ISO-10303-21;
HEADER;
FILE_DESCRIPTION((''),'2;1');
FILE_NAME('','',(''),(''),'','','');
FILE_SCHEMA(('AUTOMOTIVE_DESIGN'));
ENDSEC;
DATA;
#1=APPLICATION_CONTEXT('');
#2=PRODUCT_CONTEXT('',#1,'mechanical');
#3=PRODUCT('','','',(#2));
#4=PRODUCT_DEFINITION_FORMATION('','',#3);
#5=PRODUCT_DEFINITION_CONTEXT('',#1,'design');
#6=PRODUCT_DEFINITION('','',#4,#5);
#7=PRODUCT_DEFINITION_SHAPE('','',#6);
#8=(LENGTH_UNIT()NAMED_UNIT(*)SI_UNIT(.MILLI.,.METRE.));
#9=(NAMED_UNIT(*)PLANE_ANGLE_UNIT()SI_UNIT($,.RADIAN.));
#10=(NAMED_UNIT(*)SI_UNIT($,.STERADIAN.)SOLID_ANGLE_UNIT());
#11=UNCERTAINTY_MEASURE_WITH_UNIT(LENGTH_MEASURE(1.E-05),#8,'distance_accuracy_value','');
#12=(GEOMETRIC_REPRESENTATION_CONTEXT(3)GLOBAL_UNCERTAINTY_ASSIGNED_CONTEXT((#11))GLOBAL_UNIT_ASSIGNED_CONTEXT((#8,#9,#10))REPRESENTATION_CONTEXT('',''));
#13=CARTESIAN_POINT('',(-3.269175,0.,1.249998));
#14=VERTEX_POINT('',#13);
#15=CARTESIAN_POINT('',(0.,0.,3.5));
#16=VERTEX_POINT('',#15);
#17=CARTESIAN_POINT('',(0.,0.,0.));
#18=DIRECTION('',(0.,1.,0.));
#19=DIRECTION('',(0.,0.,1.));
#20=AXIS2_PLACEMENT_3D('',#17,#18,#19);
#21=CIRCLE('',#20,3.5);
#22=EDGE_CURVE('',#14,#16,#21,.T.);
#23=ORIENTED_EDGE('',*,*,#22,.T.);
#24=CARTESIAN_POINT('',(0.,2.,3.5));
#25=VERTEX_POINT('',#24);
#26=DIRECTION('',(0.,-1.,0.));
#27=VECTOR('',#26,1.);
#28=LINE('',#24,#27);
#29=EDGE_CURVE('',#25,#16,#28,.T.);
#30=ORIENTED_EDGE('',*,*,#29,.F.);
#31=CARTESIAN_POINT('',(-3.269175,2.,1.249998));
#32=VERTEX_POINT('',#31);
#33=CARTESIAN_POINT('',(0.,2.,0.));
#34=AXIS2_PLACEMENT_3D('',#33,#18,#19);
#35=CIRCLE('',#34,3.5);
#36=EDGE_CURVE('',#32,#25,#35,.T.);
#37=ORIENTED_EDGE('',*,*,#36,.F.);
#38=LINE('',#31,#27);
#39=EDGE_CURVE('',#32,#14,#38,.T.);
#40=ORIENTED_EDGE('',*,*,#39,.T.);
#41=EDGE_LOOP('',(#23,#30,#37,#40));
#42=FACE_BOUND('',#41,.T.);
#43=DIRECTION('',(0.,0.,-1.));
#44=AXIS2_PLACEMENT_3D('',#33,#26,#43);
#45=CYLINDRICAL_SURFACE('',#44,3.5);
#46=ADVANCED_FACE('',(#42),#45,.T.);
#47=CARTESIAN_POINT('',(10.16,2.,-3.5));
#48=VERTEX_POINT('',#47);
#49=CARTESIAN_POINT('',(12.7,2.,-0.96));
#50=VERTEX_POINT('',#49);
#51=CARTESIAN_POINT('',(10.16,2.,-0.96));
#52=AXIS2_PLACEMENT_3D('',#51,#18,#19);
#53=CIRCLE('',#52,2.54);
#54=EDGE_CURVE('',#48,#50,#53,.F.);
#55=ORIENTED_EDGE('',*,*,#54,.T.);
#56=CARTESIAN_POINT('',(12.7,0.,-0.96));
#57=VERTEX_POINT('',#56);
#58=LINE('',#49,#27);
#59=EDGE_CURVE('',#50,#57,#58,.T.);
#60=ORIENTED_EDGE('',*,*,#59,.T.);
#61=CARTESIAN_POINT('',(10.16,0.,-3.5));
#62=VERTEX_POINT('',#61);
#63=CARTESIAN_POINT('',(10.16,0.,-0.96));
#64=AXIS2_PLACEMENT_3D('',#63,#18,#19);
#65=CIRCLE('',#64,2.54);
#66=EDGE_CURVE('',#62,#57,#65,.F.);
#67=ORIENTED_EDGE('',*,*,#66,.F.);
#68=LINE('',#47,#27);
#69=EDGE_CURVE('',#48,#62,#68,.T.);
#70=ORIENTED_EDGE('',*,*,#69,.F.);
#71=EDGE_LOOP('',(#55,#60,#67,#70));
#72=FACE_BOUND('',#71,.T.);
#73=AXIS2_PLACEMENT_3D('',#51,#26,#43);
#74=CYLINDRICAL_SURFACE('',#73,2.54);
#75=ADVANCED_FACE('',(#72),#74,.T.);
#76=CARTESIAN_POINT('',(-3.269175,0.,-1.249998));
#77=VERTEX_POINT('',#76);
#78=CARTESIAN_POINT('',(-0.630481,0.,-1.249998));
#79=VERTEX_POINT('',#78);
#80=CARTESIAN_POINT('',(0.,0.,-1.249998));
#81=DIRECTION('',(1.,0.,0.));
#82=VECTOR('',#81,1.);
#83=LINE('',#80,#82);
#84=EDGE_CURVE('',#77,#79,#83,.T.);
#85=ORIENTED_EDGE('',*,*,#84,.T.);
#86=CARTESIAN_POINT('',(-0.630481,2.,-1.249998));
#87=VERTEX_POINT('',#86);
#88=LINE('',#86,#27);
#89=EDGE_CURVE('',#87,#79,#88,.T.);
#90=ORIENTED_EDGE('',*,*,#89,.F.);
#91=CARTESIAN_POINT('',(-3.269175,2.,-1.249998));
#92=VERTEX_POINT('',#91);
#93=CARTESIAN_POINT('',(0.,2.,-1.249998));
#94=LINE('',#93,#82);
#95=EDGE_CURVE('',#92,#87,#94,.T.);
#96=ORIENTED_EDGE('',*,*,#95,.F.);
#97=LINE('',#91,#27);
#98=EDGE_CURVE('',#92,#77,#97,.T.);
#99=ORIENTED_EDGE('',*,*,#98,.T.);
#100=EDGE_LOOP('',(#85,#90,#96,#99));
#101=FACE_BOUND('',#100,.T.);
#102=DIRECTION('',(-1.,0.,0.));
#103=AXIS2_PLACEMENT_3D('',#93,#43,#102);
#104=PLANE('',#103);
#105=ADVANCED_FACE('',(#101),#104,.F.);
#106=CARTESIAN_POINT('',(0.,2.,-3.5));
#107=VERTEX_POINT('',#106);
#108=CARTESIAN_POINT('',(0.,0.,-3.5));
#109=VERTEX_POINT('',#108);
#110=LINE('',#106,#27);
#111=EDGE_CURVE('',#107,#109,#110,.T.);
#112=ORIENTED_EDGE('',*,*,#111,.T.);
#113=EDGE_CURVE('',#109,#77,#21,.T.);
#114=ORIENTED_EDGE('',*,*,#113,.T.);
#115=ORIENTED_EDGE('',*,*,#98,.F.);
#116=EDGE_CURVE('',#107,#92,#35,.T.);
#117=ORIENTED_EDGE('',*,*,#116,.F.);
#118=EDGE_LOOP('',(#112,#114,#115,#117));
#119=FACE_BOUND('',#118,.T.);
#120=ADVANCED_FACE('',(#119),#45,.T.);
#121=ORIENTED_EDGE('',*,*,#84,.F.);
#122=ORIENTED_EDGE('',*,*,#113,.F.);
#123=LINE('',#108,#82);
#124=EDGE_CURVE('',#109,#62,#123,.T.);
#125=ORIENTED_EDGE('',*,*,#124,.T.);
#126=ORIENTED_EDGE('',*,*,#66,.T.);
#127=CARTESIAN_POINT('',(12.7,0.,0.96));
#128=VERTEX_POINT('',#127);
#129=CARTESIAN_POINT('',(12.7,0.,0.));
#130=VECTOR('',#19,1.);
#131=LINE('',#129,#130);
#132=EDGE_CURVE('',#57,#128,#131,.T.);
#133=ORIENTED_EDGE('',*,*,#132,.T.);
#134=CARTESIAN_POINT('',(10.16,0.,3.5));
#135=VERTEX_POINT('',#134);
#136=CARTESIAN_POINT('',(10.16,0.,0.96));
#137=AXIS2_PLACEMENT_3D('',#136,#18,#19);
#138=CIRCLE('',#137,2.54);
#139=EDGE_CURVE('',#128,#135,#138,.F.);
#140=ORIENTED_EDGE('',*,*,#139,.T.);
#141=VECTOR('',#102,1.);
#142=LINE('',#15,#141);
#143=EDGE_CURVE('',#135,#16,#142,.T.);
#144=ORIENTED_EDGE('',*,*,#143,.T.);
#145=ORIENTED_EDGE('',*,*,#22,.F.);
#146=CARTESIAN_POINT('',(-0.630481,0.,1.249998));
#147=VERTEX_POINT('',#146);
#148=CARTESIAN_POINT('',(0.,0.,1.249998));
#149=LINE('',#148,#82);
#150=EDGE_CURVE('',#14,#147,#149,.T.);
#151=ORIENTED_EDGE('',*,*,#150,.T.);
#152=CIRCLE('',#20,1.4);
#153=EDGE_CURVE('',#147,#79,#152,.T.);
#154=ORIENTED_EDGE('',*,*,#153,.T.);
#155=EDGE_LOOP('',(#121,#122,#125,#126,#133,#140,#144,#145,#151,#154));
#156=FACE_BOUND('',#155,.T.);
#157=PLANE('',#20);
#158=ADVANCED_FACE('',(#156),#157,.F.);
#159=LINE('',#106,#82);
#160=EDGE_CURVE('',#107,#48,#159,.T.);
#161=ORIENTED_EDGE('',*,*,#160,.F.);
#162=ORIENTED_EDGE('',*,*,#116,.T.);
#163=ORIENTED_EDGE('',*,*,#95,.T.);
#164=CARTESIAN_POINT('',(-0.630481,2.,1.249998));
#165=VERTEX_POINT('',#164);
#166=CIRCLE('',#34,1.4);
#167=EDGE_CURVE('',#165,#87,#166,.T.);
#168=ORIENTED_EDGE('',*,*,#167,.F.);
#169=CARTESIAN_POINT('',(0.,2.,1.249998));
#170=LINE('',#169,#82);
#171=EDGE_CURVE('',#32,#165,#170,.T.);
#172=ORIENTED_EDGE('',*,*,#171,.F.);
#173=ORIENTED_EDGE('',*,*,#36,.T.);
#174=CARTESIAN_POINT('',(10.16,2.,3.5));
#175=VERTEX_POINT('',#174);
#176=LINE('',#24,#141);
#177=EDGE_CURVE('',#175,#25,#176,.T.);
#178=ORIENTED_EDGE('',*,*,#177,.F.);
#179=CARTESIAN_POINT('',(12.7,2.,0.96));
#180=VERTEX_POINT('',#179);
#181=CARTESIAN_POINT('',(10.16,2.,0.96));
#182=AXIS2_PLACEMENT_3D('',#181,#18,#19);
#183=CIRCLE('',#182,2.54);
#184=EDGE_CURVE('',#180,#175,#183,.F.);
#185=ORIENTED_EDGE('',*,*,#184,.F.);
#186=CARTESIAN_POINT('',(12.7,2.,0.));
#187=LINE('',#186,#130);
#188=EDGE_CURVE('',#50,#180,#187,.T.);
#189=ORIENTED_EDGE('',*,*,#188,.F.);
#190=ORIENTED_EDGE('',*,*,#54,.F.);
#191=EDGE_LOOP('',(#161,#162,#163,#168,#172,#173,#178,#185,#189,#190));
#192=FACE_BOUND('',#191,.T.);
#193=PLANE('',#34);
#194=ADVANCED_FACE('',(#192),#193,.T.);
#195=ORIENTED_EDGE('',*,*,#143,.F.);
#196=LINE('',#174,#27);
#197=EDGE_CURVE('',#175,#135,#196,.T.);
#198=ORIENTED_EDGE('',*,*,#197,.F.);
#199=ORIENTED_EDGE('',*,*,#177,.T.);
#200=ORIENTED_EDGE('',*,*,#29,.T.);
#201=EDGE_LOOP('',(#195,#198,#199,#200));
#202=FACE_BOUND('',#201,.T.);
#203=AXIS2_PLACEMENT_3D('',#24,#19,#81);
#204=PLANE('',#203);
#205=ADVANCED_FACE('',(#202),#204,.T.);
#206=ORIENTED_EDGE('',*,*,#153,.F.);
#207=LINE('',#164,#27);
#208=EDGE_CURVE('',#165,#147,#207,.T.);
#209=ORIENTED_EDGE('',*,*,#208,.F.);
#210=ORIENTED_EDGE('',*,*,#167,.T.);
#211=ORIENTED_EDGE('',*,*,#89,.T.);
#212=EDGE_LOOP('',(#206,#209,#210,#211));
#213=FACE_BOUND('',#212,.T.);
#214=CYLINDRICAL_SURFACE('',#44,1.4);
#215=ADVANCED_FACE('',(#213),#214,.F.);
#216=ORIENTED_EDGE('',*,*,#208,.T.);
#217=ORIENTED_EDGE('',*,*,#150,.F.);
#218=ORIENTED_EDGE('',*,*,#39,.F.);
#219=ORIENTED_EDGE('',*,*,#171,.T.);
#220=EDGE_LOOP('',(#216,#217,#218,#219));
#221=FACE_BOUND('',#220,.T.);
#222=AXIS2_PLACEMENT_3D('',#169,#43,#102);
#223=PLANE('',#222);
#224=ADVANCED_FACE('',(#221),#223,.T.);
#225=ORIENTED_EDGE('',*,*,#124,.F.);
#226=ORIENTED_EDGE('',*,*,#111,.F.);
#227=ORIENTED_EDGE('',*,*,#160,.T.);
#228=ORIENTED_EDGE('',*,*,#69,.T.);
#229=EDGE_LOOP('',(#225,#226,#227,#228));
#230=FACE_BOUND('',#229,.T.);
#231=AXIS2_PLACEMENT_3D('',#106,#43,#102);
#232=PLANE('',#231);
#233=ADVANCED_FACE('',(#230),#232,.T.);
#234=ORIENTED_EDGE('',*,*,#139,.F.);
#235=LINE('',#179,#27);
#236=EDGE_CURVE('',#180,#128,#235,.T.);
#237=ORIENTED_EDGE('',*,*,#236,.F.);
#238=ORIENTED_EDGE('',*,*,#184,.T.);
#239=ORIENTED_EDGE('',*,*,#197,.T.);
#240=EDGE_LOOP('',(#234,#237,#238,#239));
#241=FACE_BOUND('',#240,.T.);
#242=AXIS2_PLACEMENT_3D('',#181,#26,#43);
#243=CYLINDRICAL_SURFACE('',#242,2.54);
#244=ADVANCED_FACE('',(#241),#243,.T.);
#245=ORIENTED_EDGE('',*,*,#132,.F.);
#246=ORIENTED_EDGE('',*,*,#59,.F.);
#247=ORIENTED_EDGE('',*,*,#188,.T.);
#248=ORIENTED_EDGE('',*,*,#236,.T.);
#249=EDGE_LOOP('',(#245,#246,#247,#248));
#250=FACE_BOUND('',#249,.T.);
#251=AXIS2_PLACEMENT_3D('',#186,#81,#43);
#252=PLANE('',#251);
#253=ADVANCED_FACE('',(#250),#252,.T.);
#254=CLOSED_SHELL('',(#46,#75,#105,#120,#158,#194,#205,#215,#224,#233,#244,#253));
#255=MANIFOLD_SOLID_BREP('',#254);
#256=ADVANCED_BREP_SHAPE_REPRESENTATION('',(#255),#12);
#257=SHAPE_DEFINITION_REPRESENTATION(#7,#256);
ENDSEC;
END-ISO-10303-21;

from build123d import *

# Parameters (mm, degrees)
BOSS_EXTRUDE1_DEPTH = 2


with BuildPart() as part:
    # Sketch1 → Boss-Extrude1 (new body)
    with BuildSketch(Plane(origin=(0, 0, 0), x_dir=(1, 0, 0), z_dir=(0, 1, 0))):
        with BuildLine():
            ThreePointArc((0, 3.5), (-1.984314586, 2.88313989), (-3.269175164, 1.2499975))
            Line((-3.269175164, 1.2499975), (-0.630480967, 1.2499975))
            ThreePointArc((-0.630480967, 1.2499975), (1.4, 0), (-0.630480967, -1.2499975))
            Line((-0.630480967, -1.2499975), (-3.269175164, -1.2499975))
            ThreePointArc((-3.269175164, -1.2499975), (-1.984314586, -2.88313989), (0, -3.5))
            Line((0, -3.5), (10.16, -3.5))
            ThreePointArc((10.16, -3.5), (11.956051224, -2.756051224), (12.7, -0.96))
            Line((12.7, -0.96), (12.7, 0.96))
            ThreePointArc((12.7, 0.96), (11.956051224, 2.756051224), (10.16, 3.5))
            Line((10.16, 3.5), (0, 3.5))
        make_face()
    extrude(amount=BOSS_EXTRUDE1_DEPTH)


solid = part.part
